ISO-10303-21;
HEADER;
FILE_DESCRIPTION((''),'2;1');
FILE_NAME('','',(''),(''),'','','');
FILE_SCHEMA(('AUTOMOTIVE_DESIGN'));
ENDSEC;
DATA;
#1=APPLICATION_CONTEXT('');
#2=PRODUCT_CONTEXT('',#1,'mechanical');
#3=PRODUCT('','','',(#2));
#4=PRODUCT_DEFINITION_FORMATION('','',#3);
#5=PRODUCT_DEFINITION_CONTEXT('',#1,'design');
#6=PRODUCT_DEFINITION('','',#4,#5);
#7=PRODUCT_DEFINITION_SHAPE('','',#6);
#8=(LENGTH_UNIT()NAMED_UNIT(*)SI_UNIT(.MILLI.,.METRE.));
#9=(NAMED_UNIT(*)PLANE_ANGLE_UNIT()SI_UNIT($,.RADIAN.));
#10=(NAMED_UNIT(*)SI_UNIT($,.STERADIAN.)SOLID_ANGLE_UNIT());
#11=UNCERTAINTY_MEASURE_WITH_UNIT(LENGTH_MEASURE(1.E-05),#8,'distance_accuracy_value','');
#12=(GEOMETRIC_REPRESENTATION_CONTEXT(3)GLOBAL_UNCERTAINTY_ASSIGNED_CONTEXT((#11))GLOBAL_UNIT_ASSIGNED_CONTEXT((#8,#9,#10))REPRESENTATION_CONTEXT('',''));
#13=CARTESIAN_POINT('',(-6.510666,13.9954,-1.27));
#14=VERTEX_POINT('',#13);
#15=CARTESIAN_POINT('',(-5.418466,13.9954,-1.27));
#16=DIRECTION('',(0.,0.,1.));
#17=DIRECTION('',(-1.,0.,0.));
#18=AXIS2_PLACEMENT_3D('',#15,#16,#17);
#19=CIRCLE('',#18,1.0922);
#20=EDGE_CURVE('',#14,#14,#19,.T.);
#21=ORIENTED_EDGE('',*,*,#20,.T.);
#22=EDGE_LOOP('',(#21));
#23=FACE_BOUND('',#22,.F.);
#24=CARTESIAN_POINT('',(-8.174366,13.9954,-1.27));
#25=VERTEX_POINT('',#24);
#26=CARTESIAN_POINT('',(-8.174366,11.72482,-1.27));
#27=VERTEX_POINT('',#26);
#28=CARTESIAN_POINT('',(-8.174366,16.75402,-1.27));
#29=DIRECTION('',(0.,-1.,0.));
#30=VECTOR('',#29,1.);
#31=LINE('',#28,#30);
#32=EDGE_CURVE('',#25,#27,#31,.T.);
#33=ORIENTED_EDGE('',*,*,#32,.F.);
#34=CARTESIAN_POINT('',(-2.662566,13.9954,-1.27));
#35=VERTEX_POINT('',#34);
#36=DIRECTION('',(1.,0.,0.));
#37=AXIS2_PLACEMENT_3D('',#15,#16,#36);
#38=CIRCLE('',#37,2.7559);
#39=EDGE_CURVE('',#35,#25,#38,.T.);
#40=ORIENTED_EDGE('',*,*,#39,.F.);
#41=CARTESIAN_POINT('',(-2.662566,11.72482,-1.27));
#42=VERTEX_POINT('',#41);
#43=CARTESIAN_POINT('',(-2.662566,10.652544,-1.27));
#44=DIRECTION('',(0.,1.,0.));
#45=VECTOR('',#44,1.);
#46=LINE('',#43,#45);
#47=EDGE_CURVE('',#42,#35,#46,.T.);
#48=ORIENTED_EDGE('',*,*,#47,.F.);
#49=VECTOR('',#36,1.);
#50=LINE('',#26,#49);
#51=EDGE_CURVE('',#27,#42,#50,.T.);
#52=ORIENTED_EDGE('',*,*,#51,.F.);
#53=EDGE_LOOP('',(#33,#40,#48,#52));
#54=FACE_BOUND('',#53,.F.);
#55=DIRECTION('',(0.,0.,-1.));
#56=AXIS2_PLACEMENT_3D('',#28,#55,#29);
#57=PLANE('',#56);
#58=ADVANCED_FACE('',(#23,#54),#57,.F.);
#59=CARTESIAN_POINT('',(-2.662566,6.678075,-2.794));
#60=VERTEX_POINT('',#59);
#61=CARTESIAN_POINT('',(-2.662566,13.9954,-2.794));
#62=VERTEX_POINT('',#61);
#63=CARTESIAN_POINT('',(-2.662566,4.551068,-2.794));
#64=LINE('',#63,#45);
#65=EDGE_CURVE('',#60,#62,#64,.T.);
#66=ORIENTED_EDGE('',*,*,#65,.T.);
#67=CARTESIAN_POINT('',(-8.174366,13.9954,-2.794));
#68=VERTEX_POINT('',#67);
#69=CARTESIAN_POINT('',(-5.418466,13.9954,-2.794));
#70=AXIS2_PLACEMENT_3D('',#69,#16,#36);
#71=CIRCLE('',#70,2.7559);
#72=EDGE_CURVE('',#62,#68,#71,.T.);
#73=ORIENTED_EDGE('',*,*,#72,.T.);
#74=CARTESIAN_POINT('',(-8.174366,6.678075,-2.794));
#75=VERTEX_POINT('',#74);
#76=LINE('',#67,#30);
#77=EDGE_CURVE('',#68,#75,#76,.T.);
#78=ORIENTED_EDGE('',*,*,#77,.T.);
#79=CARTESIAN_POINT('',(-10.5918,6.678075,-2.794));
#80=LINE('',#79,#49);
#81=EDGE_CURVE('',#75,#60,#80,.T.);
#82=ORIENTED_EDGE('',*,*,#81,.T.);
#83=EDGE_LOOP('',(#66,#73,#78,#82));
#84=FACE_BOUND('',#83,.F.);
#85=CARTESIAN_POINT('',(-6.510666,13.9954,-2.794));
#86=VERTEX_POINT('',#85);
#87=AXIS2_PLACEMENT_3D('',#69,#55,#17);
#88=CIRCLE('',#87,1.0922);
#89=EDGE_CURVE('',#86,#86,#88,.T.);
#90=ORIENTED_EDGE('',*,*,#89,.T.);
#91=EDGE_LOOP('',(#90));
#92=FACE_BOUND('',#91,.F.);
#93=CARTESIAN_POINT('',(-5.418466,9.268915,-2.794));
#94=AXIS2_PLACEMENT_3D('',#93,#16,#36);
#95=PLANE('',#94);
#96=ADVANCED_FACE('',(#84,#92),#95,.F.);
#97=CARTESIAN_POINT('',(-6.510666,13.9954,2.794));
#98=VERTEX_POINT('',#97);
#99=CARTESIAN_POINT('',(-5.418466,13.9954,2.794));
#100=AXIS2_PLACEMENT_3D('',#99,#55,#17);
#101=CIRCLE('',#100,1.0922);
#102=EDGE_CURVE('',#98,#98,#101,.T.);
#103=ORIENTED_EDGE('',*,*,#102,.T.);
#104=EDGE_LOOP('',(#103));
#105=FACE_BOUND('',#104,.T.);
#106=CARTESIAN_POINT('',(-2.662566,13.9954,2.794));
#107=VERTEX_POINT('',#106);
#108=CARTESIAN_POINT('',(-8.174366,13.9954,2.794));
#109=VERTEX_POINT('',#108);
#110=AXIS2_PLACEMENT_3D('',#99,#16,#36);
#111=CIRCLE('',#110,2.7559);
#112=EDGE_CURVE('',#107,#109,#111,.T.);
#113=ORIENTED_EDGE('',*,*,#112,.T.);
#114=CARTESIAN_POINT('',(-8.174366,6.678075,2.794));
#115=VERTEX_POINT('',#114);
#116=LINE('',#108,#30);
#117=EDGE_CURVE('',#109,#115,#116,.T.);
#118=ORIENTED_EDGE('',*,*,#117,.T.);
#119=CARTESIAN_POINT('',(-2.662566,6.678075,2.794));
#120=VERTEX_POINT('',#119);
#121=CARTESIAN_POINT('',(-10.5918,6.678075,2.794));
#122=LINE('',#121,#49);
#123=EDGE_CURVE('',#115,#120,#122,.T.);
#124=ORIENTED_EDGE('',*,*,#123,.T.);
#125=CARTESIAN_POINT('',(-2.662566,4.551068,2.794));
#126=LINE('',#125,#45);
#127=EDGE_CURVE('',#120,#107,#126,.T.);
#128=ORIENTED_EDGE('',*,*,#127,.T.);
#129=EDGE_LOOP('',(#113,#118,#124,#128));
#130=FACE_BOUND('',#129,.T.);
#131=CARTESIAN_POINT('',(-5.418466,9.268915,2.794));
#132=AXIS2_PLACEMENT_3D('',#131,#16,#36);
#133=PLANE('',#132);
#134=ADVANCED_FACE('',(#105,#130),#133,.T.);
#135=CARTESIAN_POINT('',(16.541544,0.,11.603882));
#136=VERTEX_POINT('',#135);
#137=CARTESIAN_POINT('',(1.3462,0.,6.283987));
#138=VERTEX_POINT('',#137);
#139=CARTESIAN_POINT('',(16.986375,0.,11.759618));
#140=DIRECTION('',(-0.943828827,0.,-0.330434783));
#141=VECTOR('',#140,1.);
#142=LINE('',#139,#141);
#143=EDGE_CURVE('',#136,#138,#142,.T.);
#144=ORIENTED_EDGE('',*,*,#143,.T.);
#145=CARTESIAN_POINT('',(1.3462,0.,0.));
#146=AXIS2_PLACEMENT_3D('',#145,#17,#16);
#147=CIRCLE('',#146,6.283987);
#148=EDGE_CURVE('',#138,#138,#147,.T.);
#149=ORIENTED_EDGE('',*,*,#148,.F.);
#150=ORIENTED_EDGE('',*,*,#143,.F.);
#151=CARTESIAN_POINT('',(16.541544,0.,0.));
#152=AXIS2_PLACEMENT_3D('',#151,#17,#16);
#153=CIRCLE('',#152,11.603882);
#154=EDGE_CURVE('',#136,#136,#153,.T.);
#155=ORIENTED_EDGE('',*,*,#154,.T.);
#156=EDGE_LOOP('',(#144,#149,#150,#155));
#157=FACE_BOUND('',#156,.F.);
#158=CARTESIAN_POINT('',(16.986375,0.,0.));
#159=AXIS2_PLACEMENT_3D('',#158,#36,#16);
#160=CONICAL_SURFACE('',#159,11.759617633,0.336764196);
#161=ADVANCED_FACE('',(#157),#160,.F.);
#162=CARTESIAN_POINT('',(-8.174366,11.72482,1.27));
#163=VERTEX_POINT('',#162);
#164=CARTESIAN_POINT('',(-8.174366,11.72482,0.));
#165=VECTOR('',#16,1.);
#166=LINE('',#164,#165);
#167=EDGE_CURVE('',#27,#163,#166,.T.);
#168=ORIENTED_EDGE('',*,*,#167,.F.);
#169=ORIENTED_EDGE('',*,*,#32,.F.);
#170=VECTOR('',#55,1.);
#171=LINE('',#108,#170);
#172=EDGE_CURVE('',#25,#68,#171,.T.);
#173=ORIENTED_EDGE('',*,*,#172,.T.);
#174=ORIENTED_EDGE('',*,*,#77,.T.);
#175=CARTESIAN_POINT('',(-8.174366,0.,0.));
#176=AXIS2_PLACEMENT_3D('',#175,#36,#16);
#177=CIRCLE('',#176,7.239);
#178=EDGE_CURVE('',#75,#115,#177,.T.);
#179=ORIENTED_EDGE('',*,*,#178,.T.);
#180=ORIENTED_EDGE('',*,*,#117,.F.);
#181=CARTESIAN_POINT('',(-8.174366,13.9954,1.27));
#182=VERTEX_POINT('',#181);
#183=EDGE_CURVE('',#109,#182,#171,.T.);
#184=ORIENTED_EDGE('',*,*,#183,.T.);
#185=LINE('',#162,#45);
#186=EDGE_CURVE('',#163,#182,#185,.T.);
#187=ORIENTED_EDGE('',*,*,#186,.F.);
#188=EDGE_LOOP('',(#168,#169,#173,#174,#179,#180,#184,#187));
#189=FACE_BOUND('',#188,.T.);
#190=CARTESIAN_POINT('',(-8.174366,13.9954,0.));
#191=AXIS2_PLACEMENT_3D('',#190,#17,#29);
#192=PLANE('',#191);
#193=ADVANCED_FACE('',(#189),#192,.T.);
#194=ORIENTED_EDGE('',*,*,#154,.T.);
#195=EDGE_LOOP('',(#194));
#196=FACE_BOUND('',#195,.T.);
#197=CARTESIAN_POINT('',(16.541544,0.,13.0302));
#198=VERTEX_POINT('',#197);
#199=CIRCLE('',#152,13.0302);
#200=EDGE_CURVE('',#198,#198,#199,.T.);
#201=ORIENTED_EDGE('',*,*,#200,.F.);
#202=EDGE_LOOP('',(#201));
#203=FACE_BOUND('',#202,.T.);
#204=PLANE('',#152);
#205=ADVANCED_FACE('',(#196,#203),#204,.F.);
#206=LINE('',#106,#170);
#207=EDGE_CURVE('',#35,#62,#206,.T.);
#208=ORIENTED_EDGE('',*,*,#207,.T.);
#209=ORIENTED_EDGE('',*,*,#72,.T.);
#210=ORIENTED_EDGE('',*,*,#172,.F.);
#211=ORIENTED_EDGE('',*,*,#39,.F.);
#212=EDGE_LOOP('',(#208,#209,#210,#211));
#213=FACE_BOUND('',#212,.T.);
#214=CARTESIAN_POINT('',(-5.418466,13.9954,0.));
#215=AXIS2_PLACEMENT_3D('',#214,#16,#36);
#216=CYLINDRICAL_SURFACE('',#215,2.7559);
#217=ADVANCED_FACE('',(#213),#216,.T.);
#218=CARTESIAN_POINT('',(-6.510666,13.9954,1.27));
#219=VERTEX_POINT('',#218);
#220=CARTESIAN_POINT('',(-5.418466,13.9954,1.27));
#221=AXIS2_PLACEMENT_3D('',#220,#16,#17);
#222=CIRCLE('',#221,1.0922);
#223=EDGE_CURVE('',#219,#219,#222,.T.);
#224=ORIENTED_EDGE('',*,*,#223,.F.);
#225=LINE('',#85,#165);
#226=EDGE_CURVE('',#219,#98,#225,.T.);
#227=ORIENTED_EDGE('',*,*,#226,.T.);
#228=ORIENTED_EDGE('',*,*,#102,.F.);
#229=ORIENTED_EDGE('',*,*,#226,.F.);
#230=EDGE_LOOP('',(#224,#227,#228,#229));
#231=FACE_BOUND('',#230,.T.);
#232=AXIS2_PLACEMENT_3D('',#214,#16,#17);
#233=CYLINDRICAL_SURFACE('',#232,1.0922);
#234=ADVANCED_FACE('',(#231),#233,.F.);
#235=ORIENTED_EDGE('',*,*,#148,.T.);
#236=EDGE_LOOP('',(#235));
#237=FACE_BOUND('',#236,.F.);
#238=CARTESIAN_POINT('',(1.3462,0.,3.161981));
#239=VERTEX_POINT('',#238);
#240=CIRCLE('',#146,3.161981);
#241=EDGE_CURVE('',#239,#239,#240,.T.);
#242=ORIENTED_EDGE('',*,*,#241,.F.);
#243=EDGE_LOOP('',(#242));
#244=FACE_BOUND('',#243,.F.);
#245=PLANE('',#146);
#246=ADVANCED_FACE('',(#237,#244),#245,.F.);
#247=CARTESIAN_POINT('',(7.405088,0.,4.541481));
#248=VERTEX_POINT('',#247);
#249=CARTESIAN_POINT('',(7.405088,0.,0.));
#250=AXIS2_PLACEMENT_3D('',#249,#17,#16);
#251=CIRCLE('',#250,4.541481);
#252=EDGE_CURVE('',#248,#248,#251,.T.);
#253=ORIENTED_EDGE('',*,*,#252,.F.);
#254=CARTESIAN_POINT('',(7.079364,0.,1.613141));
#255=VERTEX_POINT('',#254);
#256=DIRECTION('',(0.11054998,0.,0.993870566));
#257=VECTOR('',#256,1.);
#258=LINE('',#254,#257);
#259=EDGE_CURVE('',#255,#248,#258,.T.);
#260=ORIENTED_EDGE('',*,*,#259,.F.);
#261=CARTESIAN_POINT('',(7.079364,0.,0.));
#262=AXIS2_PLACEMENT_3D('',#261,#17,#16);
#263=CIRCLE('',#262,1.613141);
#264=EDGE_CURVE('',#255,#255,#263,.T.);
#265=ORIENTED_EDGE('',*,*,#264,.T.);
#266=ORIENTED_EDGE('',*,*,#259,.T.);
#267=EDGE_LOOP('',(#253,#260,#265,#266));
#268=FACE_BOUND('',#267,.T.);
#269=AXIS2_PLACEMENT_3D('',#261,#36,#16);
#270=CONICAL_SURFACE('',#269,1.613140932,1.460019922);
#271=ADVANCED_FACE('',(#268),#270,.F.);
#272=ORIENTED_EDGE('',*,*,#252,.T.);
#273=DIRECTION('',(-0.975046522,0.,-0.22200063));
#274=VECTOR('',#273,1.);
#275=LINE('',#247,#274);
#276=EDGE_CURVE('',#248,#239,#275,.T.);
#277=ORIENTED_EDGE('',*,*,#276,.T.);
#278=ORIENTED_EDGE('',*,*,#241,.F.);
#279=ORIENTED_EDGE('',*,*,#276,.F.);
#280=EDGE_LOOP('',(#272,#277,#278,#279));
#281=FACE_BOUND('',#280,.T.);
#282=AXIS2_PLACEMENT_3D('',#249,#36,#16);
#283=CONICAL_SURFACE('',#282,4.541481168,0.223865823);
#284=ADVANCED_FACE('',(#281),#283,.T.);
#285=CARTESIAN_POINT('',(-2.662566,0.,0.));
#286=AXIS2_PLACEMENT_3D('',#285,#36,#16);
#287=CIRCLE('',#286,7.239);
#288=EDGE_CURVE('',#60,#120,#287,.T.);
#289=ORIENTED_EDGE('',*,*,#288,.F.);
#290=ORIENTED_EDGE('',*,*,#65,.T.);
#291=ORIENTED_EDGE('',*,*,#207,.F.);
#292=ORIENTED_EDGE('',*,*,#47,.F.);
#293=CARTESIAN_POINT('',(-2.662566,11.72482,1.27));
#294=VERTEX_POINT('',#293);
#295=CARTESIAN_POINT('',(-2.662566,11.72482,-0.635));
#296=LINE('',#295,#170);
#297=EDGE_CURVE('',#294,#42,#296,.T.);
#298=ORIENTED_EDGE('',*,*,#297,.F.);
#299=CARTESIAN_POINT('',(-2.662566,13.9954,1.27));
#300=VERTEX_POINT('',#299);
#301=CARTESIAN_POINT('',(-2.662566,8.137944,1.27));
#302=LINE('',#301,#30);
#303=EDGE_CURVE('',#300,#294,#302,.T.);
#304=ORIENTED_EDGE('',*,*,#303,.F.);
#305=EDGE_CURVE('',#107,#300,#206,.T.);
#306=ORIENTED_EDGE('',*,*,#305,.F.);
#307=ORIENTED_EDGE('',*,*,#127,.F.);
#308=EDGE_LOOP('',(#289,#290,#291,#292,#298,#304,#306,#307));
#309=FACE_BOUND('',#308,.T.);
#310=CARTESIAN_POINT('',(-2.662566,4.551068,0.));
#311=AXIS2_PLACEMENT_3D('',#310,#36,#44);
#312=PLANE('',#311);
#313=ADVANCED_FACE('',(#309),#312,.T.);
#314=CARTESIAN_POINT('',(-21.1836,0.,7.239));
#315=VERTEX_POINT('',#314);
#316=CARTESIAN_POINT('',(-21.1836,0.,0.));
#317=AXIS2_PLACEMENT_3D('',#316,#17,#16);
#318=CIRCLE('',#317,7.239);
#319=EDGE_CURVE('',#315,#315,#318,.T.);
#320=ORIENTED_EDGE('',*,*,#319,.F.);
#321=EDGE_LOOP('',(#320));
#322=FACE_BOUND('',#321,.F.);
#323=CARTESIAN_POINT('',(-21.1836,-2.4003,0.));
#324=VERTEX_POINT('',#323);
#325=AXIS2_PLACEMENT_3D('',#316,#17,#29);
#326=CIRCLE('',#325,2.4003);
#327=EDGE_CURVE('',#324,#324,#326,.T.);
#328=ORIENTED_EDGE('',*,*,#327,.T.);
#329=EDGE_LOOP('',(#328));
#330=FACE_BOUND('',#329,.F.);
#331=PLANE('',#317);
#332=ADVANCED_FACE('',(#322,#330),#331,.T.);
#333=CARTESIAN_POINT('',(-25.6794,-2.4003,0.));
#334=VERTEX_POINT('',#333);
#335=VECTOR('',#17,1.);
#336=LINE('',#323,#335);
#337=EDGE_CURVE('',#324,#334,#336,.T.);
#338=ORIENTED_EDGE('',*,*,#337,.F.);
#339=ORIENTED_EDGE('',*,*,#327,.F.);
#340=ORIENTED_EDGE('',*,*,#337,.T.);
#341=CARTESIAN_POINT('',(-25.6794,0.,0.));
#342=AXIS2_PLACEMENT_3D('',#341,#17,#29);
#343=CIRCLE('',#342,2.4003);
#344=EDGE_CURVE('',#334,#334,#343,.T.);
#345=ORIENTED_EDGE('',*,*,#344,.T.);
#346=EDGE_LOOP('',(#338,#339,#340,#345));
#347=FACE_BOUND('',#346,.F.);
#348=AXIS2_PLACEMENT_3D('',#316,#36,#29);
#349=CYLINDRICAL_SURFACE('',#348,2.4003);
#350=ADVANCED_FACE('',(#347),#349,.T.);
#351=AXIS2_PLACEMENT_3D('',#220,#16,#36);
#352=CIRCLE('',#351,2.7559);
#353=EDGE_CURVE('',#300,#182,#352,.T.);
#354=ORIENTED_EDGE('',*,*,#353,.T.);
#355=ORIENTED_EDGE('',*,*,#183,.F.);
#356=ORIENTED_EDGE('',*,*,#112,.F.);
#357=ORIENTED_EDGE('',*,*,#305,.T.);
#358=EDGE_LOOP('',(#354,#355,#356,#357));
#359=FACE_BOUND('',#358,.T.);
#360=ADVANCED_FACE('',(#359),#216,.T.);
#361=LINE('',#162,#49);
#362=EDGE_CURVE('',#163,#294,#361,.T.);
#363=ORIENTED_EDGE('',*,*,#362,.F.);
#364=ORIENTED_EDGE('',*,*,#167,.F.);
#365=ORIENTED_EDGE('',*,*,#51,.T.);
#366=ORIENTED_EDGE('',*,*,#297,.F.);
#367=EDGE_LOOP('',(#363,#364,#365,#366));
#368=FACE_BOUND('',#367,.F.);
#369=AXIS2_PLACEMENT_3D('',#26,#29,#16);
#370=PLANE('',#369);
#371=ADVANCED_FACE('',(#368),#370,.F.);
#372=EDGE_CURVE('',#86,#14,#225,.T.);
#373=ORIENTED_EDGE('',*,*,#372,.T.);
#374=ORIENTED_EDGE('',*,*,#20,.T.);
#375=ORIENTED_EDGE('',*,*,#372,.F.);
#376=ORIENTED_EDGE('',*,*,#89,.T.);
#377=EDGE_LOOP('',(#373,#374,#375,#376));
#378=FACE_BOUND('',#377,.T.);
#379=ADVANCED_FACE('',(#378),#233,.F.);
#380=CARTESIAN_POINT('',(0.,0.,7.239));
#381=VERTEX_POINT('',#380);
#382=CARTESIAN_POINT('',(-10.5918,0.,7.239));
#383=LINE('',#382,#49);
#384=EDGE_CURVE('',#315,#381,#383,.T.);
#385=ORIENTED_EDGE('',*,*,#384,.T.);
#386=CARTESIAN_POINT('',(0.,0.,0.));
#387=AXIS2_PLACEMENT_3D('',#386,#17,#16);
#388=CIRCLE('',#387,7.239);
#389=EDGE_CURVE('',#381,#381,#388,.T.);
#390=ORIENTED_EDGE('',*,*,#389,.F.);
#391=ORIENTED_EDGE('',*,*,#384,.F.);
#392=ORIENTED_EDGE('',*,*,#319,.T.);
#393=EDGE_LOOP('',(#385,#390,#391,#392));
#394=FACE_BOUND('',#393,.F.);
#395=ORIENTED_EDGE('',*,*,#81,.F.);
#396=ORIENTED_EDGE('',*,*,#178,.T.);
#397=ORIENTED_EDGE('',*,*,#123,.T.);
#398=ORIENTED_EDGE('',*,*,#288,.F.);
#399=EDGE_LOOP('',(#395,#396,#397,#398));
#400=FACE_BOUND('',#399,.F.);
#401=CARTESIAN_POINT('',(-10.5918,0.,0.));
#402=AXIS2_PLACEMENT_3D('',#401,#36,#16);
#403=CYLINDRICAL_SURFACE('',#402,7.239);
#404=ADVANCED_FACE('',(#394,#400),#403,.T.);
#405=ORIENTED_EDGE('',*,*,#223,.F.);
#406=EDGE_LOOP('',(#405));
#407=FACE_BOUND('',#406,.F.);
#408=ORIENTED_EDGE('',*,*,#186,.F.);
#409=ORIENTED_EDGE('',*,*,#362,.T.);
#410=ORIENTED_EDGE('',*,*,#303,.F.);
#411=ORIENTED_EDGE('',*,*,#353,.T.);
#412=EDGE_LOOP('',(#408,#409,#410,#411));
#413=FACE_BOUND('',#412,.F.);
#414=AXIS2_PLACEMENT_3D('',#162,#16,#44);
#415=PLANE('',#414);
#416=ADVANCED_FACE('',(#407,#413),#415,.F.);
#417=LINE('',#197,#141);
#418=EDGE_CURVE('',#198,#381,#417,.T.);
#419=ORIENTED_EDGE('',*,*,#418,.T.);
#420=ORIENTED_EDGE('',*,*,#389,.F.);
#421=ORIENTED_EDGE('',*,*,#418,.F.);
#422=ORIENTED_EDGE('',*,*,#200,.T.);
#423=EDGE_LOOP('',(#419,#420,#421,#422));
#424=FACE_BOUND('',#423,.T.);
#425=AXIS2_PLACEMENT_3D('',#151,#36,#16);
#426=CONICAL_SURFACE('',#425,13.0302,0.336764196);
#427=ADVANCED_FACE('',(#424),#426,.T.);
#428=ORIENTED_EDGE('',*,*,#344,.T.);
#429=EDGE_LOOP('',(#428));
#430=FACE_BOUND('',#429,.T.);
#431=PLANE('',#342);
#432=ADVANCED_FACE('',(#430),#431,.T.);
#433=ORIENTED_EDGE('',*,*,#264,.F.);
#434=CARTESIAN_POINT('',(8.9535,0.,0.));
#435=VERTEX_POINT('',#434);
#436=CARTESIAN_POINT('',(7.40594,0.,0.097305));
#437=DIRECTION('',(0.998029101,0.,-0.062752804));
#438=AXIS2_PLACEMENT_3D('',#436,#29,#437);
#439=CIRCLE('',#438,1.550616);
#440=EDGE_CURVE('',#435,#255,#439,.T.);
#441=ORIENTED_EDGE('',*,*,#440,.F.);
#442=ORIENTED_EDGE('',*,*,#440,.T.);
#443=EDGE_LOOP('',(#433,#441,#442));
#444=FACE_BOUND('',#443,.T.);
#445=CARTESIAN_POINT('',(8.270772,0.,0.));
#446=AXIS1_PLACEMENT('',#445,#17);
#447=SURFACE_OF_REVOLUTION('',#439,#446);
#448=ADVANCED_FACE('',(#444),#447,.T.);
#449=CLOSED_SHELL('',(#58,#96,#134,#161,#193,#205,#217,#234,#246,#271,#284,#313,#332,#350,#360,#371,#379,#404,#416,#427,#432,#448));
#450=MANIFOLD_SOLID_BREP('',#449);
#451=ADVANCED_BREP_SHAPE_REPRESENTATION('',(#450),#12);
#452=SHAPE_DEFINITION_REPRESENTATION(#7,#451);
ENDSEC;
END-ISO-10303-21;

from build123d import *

# Parameters (mm, degrees)
F2_T     = -1.3462
F0_W     = 21.1836
F0_H     = 7.239
F4_R     = 2.4003
F5_DEPTH = 4.4958
F7_DEPTH = 2.794
F8_W     = 2.2705799568
F8_H     = 2.54
F8_W_2   = 2.7586200432
F9_DEPTH = 10.16


with BuildPart() as f1:
    # F0 (on Front) → F1 (revolve)
    with BuildSketch(Plane.XZ):
        Polygon((0, 7.239), (0, 0), (16.5415440198, 0), (16.5415440198, 13.0302), align=None)
    revolve(axis=Axis((-10.5918, 0, 0), (-1, 0, 0)))

    # F2
    f2_openings = [f1.faces().sort_by_distance(p)[0] for p in [
        (16.541544, 0, 0),
    ]]
    offset(amount=F2_T, openings=f2_openings)

    # F0 (on Front) → F3 (revolve)
    with BuildSketch(Plane.XZ):
        with Locations((-10.5918, 3.6195)):
            Rectangle(F0_W, F0_H)
    revolve(axis=Axis((-10.5918, 0, 0), (-1, 0, 0)))

    # F4 (on face) → F5 (join)
    with BuildSketch(Plane(origin=(-21.1836, 0, 0), x_dir=(0, -1, 0), z_dir=(-1, 0, 0))):
        Circle(F4_R)
    extrude(amount=F5_DEPTH)

    # F6 (on Top) → F7 (join, symmetric)
    with BuildSketch(Plane.XY):
        with BuildLine():
            Line((-8.1743659384, 13.9954), (-8.1743659384, 4.5510675645))
            Line((-8.1743659384, 4.5510675645), (-2.6625659384, 4.5510675645))
            Line((-2.6625659384, 4.5510675645), (-2.6625659384, 13.9954))
            ThreePointArc((-2.6625659384, 13.9954), (-5.4184659384, 11.2395), (-8.1743659384, 13.9954))
        make_face()
        with BuildLine():
            ThreePointArc((-2.6625659384, 13.9954), (-5.4184659384, 16.7513), (-8.1743659384, 13.9954))
            Line((-8.1743659384, 13.9954), (-6.5106659384, 13.9954))
            ThreePointArc((-6.5106659384, 13.9954), (-5.4184659384, 15.0876), (-4.3262659384, 13.9954))
            Line((-4.3262659384, 13.9954), (-2.6625659384, 13.9954))
        make_face()
        with BuildLine():
            Line((-6.5106659384, 13.9954), (-8.1743659384, 13.9954))
            ThreePointArc((-8.1743659384, 13.9954), (-5.4184659384, 11.2395), (-2.6625659384, 13.9954))
            Line((-2.6625659384, 13.9954), (-4.3262659384, 13.9954))
            ThreePointArc((-4.3262659384, 13.9954), (-5.4184659384, 12.9032), (-6.5106659384, 13.9954))
        make_face()
    extrude(amount=F7_DEPTH, both=True)

    # F8 (on face) → F9 (cut)
    with BuildSketch(Plane(origin=(-8.1743659384, 0, 0), x_dir=(0, -1, 0), z_dir=(-1, 0, 0))):
        with Locations((-12.8601100216, 0)):
            Rectangle(F8_W, F8_H)
        with Locations((-15.3747100216, 0)):
            Rectangle(F8_W_2, F8_H)
    extrude(amount=-F9_DEPTH, mode=Mode.SUBTRACT)

    # F10 (on Front) → F11 (revolve)
    with BuildSketch(Plane.XZ):
        with BuildLine():
            Line((7.4050883165, 4.5414811682), (0, 2.8554751822))
            Line((0, 2.8554751822), (0, 0))
            Line((0, 0), (8.9534996077, 0))
            ThreePointArc((8.9534996077, 0), (8.4175012065, 1.2725301509), (7.0793638567, 1.6131409325))
            Line((7.0793638567, 1.6131409325), (7.4050883165, 4.5414811682))
        make_face()
    revolve(axis=Axis((8.2707720099, 0, 0), (-1, 0, 0)))


solid = f1.part
